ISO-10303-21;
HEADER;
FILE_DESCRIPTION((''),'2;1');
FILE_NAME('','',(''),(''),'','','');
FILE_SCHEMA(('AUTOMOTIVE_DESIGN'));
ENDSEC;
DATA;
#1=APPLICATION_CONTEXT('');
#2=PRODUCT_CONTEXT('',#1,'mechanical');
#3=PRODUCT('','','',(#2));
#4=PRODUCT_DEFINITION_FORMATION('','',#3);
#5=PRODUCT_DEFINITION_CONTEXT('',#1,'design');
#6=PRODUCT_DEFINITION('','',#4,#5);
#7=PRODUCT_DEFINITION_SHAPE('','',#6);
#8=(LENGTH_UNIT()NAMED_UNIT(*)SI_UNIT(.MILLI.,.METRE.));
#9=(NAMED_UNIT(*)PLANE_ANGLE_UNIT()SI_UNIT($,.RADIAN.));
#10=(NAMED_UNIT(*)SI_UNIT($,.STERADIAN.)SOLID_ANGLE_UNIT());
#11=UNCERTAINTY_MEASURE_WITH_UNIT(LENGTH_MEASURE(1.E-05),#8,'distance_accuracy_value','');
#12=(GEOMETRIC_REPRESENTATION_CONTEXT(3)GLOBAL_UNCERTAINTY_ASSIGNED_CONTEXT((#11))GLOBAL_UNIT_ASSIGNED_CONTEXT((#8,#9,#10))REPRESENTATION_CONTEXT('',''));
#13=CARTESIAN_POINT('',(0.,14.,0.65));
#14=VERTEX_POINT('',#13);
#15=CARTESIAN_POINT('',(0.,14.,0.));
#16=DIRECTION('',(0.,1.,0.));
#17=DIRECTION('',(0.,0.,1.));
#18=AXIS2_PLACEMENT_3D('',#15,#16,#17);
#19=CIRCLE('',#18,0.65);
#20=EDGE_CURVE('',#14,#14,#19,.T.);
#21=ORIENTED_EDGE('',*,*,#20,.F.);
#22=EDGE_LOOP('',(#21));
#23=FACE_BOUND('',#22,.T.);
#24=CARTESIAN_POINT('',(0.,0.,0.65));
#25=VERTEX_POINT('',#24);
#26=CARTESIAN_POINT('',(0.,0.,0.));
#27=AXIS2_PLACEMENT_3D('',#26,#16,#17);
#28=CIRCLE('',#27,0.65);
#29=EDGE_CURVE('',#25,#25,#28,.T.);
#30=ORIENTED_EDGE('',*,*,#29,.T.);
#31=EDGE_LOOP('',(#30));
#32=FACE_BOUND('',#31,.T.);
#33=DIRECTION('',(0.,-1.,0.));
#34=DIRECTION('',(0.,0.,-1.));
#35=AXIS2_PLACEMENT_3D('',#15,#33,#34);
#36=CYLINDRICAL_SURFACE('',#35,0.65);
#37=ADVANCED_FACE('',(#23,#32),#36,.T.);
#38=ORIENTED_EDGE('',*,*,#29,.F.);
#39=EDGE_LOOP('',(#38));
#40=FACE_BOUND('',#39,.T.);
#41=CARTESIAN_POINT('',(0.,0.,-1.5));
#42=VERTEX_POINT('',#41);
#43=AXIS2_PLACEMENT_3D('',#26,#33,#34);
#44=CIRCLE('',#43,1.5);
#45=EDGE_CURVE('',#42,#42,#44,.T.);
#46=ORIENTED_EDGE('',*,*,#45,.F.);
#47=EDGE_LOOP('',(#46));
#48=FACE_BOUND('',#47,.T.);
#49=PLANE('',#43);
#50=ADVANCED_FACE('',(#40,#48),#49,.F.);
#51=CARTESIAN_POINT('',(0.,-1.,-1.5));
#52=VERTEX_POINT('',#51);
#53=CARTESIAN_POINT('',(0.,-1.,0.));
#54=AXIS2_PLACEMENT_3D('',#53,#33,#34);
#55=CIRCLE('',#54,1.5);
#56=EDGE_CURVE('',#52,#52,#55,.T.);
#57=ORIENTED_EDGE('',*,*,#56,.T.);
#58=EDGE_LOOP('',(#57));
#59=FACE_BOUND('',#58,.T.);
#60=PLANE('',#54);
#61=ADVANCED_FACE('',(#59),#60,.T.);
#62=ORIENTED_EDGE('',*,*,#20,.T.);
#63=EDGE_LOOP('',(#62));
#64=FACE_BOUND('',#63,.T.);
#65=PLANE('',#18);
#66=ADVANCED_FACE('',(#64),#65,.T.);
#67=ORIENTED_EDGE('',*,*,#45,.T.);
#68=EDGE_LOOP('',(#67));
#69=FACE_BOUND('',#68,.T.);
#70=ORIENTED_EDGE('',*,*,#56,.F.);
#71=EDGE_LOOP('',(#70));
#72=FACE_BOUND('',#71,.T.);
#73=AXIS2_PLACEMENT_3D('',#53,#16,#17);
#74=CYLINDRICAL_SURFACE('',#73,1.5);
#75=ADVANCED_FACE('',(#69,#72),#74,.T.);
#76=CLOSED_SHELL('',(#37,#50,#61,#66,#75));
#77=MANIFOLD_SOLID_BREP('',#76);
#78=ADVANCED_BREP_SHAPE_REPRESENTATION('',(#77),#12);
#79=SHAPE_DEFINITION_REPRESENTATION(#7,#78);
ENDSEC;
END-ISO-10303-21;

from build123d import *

# Parameters (mm, degrees)
SKETCH1_R           = 0.65
BOSS_EXTRUDE1_DEPTH = 14
SKETCH2_R           = 1.5
BOSS_EXTRUDE2_DEPTH = 1


with BuildPart() as part:
    # Sketch1 → Boss-Extrude1 (new body)
    with BuildSketch(Plane(origin=(0, 0, 0), x_dir=(1, 0, 0), z_dir=(0, 1, 0))):
        with Locations(Location((0, 0, 0), (0, 0, 270))):
            Circle(SKETCH1_R)
    extrude(amount=BOSS_EXTRUDE1_DEPTH)

    # Sketch2 → Boss-Extrude2 (add)
    with BuildSketch(Plane.XZ):
        with Locations(Location((0, 0, 0), (0, 0, 270))):
            Circle(SKETCH2_R)
    extrude(amount=BOSS_EXTRUDE2_DEPTH)


solid = part.part
